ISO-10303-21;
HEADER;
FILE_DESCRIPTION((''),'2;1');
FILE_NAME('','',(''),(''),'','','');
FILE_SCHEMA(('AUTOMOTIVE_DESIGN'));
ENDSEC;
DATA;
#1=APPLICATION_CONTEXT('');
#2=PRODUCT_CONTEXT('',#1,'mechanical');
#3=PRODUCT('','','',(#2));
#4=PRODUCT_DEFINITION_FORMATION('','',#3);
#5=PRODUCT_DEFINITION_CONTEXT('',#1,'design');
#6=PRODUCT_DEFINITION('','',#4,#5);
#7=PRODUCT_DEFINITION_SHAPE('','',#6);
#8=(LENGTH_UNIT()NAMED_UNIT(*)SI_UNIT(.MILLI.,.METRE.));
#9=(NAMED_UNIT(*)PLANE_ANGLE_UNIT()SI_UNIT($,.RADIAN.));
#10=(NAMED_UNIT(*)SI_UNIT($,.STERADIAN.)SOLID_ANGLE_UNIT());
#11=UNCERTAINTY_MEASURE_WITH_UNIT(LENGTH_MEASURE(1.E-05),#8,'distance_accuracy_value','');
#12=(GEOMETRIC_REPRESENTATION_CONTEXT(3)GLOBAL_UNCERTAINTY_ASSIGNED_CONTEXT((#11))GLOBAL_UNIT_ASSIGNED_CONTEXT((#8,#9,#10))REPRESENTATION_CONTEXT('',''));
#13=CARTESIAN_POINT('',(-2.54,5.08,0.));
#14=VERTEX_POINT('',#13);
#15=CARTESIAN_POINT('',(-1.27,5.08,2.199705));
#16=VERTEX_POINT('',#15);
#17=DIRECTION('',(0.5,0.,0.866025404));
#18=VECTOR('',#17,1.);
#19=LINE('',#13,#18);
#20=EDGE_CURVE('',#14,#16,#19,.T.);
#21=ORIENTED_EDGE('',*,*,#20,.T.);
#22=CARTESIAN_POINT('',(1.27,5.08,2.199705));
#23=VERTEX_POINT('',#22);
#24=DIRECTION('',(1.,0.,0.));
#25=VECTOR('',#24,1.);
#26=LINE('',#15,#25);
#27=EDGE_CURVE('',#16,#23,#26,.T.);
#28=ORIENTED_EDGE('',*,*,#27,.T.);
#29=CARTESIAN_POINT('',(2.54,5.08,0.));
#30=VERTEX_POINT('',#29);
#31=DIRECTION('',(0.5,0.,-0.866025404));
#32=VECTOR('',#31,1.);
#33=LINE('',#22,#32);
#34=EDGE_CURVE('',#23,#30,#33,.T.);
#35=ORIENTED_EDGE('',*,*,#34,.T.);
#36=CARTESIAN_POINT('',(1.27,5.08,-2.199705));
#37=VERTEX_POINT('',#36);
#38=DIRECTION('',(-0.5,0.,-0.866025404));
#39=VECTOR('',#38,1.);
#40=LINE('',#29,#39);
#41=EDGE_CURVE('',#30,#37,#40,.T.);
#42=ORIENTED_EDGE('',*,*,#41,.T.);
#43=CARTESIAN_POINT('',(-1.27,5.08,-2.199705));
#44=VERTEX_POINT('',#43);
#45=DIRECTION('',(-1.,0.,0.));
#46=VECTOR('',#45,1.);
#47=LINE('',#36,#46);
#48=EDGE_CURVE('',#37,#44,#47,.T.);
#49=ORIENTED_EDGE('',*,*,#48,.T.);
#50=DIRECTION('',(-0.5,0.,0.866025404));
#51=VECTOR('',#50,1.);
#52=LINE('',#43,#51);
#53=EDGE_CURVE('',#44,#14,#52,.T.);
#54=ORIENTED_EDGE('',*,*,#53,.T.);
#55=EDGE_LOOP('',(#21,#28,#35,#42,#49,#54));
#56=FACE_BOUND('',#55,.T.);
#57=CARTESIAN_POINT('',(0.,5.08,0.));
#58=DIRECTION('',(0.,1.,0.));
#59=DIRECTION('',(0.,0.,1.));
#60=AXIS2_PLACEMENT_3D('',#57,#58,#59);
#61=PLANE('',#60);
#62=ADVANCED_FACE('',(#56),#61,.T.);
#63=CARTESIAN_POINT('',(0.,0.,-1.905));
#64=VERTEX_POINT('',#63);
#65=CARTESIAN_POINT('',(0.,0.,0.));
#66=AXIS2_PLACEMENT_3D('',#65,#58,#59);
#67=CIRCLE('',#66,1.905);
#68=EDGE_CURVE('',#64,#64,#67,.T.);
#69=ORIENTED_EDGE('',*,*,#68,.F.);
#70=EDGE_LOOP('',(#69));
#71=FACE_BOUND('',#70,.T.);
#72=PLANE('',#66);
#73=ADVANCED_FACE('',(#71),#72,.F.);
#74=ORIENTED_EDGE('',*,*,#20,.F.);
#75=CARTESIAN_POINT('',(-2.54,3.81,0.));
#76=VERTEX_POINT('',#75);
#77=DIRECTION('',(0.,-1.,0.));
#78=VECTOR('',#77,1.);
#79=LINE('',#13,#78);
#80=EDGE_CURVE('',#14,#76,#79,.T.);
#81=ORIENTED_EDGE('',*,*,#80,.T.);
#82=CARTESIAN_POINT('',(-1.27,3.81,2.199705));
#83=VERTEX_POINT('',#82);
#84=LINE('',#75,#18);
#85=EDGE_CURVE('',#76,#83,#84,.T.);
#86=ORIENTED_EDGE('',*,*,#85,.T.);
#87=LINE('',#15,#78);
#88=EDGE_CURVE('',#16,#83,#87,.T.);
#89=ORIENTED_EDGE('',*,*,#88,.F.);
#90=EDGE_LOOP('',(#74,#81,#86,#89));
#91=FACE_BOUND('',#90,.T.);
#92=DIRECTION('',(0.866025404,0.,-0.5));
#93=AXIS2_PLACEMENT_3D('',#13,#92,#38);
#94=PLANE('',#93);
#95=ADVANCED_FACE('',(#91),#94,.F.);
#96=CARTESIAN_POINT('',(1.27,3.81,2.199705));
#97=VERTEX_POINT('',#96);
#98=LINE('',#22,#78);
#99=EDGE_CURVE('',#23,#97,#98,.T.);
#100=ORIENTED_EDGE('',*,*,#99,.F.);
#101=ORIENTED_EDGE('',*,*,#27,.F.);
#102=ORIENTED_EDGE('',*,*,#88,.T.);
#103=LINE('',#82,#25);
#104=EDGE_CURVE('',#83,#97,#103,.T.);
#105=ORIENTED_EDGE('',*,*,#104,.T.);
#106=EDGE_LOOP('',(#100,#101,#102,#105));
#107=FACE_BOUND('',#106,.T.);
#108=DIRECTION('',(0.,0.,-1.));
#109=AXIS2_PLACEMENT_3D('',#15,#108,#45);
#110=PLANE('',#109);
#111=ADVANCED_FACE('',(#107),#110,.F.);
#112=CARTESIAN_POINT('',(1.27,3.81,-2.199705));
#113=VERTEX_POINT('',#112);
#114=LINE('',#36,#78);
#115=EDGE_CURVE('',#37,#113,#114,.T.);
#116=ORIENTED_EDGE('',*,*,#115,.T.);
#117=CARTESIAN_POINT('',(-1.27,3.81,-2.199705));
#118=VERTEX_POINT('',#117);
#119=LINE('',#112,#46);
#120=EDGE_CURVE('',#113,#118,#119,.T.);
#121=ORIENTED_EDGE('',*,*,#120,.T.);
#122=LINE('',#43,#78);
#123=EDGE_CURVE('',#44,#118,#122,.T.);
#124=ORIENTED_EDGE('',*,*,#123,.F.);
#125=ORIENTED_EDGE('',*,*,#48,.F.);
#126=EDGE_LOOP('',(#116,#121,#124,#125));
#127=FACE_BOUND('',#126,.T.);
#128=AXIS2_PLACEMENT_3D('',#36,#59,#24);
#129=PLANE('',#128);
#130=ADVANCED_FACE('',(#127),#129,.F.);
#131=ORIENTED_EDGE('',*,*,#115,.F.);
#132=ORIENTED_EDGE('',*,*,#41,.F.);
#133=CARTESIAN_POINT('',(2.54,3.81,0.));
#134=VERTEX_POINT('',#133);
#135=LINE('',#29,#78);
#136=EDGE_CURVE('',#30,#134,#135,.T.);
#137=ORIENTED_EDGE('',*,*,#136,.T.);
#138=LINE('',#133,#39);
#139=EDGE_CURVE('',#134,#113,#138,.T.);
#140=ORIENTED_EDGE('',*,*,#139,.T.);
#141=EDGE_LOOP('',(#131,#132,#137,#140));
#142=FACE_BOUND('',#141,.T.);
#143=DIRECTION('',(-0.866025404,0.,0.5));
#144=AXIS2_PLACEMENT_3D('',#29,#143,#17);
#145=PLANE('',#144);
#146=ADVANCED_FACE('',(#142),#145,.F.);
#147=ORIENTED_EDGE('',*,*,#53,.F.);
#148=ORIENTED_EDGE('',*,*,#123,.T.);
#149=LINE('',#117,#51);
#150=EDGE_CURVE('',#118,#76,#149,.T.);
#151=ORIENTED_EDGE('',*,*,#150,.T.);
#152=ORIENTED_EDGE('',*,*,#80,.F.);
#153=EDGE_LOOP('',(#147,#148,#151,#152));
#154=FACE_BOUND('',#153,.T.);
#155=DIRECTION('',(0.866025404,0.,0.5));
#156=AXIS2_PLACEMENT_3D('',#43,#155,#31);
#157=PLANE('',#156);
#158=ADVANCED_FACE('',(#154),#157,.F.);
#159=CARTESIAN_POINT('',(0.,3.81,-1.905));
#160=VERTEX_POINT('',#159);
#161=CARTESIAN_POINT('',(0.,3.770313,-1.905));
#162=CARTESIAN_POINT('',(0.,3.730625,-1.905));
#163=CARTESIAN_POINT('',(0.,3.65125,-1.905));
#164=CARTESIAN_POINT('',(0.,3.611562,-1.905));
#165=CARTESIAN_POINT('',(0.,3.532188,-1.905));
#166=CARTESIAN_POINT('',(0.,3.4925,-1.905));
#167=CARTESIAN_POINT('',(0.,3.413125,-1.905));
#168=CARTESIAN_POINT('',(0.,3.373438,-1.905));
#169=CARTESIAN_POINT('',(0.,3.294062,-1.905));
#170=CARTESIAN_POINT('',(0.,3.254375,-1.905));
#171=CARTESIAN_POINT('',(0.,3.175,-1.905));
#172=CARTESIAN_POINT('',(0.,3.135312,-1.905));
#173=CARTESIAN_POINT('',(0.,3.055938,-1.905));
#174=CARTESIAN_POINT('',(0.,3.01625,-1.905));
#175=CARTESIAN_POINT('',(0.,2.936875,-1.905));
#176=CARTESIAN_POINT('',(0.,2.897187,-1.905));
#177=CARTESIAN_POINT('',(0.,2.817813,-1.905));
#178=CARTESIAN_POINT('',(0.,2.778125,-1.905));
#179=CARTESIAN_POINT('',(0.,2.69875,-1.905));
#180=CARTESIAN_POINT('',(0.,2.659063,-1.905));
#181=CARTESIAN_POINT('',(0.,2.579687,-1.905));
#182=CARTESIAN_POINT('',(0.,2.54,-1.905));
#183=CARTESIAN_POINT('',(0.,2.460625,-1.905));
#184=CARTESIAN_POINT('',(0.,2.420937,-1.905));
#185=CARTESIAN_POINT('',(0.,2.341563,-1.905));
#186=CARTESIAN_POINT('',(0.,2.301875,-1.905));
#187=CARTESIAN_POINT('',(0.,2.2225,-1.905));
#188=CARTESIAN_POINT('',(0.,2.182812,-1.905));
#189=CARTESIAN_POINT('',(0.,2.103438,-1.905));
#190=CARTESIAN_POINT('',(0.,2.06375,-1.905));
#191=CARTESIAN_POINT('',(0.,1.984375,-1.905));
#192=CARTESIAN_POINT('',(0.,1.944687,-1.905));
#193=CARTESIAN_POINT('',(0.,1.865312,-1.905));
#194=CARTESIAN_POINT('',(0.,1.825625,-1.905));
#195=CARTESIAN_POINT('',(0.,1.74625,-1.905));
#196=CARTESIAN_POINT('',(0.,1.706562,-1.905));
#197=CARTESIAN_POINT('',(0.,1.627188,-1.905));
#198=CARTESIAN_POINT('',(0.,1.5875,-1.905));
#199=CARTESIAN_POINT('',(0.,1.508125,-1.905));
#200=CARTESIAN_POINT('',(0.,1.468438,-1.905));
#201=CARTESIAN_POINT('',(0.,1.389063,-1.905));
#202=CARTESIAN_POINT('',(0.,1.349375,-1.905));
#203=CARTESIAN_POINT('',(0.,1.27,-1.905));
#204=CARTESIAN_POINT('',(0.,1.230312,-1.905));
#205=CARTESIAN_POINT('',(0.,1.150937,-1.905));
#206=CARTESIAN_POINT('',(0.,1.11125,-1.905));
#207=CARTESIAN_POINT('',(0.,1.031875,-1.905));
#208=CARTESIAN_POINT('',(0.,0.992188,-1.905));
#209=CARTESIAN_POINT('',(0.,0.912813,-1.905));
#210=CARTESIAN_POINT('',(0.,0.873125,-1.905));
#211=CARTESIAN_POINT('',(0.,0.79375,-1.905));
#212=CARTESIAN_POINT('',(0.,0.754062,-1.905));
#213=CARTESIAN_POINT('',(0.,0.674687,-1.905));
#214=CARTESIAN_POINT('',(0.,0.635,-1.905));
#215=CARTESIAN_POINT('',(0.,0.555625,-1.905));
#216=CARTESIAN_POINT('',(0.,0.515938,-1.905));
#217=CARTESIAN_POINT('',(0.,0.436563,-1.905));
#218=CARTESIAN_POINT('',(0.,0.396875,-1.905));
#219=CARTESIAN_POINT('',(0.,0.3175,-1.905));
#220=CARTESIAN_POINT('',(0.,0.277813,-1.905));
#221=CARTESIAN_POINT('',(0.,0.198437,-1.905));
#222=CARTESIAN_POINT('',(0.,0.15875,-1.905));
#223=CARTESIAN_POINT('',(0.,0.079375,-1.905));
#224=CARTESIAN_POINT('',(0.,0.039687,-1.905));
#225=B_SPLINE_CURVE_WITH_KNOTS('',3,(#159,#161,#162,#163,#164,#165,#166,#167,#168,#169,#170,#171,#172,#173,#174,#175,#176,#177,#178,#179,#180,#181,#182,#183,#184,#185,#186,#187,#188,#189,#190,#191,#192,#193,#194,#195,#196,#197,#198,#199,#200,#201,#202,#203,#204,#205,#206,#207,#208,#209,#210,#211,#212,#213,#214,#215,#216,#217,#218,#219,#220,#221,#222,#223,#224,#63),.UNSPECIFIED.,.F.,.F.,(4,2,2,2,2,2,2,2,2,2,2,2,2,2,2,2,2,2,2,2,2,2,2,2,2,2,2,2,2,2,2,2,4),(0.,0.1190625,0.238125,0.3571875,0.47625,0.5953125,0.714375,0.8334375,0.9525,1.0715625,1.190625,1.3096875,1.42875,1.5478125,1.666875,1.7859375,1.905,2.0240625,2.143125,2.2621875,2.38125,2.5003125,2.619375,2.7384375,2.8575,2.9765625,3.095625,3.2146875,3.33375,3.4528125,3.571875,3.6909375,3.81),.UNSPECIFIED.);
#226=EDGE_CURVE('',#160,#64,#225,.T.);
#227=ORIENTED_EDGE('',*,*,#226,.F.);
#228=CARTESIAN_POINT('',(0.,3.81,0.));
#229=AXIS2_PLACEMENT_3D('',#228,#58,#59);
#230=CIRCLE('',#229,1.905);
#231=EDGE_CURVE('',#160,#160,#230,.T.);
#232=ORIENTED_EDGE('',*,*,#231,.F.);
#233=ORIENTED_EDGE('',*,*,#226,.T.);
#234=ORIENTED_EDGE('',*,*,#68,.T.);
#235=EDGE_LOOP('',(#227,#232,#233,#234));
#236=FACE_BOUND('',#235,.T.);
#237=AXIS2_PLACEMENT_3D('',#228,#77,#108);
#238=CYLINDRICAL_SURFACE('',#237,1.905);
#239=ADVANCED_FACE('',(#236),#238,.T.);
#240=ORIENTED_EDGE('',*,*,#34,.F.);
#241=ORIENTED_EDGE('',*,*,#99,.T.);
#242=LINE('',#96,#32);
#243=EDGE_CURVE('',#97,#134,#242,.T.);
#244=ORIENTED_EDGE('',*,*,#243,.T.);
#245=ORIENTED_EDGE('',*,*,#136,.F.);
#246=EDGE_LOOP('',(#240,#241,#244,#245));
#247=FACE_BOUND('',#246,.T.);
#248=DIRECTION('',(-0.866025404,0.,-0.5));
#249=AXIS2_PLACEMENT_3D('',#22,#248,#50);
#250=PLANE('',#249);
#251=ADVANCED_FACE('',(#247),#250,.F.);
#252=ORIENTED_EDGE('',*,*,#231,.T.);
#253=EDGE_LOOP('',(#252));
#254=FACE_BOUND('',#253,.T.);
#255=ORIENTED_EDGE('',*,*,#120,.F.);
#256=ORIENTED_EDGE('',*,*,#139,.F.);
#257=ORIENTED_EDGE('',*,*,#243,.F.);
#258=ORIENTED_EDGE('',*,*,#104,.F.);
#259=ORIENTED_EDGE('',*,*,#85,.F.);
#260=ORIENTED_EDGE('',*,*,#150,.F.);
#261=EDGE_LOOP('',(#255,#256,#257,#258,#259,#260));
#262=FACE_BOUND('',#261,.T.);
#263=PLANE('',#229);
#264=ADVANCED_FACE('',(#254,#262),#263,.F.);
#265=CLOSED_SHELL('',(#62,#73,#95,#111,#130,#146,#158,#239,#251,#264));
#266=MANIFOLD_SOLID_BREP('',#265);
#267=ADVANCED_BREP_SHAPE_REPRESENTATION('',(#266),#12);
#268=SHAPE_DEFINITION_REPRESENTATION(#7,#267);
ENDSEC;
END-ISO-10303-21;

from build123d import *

# Parameters (mm, degrees)
SKETCH1_R           = 1.905
BOSS_EXTRUDE1_DEPTH = 3.81
BOSS_EXTRUDE2_DEPTH = 1.27


with BuildPart() as part:
    # Sketch1 → Boss-Extrude1 (new body)
    with BuildSketch(Plane(origin=(0, 0, 0), x_dir=(1, 0, 0), z_dir=(0, 1, 0))):
        with Locations(Location((0, 0, 0), (0, 0, 90))):
            Circle(SKETCH1_R)
    extrude(amount=BOSS_EXTRUDE1_DEPTH)

    # Sketch2 → Boss-Extrude2 (add)
    with BuildSketch(Plane(origin=(0, 3.81, 0), x_dir=(1, 0, 0), z_dir=(0, 1, 0))):
        Polygon((1.27, 2.199704526), (-1.27, 2.199704526), (-2.54, 0), (-1.27, -2.199704526), (1.27, -2.199704526), (2.54, 0), align=None)
    extrude(amount=BOSS_EXTRUDE2_DEPTH)


solid = part.part
